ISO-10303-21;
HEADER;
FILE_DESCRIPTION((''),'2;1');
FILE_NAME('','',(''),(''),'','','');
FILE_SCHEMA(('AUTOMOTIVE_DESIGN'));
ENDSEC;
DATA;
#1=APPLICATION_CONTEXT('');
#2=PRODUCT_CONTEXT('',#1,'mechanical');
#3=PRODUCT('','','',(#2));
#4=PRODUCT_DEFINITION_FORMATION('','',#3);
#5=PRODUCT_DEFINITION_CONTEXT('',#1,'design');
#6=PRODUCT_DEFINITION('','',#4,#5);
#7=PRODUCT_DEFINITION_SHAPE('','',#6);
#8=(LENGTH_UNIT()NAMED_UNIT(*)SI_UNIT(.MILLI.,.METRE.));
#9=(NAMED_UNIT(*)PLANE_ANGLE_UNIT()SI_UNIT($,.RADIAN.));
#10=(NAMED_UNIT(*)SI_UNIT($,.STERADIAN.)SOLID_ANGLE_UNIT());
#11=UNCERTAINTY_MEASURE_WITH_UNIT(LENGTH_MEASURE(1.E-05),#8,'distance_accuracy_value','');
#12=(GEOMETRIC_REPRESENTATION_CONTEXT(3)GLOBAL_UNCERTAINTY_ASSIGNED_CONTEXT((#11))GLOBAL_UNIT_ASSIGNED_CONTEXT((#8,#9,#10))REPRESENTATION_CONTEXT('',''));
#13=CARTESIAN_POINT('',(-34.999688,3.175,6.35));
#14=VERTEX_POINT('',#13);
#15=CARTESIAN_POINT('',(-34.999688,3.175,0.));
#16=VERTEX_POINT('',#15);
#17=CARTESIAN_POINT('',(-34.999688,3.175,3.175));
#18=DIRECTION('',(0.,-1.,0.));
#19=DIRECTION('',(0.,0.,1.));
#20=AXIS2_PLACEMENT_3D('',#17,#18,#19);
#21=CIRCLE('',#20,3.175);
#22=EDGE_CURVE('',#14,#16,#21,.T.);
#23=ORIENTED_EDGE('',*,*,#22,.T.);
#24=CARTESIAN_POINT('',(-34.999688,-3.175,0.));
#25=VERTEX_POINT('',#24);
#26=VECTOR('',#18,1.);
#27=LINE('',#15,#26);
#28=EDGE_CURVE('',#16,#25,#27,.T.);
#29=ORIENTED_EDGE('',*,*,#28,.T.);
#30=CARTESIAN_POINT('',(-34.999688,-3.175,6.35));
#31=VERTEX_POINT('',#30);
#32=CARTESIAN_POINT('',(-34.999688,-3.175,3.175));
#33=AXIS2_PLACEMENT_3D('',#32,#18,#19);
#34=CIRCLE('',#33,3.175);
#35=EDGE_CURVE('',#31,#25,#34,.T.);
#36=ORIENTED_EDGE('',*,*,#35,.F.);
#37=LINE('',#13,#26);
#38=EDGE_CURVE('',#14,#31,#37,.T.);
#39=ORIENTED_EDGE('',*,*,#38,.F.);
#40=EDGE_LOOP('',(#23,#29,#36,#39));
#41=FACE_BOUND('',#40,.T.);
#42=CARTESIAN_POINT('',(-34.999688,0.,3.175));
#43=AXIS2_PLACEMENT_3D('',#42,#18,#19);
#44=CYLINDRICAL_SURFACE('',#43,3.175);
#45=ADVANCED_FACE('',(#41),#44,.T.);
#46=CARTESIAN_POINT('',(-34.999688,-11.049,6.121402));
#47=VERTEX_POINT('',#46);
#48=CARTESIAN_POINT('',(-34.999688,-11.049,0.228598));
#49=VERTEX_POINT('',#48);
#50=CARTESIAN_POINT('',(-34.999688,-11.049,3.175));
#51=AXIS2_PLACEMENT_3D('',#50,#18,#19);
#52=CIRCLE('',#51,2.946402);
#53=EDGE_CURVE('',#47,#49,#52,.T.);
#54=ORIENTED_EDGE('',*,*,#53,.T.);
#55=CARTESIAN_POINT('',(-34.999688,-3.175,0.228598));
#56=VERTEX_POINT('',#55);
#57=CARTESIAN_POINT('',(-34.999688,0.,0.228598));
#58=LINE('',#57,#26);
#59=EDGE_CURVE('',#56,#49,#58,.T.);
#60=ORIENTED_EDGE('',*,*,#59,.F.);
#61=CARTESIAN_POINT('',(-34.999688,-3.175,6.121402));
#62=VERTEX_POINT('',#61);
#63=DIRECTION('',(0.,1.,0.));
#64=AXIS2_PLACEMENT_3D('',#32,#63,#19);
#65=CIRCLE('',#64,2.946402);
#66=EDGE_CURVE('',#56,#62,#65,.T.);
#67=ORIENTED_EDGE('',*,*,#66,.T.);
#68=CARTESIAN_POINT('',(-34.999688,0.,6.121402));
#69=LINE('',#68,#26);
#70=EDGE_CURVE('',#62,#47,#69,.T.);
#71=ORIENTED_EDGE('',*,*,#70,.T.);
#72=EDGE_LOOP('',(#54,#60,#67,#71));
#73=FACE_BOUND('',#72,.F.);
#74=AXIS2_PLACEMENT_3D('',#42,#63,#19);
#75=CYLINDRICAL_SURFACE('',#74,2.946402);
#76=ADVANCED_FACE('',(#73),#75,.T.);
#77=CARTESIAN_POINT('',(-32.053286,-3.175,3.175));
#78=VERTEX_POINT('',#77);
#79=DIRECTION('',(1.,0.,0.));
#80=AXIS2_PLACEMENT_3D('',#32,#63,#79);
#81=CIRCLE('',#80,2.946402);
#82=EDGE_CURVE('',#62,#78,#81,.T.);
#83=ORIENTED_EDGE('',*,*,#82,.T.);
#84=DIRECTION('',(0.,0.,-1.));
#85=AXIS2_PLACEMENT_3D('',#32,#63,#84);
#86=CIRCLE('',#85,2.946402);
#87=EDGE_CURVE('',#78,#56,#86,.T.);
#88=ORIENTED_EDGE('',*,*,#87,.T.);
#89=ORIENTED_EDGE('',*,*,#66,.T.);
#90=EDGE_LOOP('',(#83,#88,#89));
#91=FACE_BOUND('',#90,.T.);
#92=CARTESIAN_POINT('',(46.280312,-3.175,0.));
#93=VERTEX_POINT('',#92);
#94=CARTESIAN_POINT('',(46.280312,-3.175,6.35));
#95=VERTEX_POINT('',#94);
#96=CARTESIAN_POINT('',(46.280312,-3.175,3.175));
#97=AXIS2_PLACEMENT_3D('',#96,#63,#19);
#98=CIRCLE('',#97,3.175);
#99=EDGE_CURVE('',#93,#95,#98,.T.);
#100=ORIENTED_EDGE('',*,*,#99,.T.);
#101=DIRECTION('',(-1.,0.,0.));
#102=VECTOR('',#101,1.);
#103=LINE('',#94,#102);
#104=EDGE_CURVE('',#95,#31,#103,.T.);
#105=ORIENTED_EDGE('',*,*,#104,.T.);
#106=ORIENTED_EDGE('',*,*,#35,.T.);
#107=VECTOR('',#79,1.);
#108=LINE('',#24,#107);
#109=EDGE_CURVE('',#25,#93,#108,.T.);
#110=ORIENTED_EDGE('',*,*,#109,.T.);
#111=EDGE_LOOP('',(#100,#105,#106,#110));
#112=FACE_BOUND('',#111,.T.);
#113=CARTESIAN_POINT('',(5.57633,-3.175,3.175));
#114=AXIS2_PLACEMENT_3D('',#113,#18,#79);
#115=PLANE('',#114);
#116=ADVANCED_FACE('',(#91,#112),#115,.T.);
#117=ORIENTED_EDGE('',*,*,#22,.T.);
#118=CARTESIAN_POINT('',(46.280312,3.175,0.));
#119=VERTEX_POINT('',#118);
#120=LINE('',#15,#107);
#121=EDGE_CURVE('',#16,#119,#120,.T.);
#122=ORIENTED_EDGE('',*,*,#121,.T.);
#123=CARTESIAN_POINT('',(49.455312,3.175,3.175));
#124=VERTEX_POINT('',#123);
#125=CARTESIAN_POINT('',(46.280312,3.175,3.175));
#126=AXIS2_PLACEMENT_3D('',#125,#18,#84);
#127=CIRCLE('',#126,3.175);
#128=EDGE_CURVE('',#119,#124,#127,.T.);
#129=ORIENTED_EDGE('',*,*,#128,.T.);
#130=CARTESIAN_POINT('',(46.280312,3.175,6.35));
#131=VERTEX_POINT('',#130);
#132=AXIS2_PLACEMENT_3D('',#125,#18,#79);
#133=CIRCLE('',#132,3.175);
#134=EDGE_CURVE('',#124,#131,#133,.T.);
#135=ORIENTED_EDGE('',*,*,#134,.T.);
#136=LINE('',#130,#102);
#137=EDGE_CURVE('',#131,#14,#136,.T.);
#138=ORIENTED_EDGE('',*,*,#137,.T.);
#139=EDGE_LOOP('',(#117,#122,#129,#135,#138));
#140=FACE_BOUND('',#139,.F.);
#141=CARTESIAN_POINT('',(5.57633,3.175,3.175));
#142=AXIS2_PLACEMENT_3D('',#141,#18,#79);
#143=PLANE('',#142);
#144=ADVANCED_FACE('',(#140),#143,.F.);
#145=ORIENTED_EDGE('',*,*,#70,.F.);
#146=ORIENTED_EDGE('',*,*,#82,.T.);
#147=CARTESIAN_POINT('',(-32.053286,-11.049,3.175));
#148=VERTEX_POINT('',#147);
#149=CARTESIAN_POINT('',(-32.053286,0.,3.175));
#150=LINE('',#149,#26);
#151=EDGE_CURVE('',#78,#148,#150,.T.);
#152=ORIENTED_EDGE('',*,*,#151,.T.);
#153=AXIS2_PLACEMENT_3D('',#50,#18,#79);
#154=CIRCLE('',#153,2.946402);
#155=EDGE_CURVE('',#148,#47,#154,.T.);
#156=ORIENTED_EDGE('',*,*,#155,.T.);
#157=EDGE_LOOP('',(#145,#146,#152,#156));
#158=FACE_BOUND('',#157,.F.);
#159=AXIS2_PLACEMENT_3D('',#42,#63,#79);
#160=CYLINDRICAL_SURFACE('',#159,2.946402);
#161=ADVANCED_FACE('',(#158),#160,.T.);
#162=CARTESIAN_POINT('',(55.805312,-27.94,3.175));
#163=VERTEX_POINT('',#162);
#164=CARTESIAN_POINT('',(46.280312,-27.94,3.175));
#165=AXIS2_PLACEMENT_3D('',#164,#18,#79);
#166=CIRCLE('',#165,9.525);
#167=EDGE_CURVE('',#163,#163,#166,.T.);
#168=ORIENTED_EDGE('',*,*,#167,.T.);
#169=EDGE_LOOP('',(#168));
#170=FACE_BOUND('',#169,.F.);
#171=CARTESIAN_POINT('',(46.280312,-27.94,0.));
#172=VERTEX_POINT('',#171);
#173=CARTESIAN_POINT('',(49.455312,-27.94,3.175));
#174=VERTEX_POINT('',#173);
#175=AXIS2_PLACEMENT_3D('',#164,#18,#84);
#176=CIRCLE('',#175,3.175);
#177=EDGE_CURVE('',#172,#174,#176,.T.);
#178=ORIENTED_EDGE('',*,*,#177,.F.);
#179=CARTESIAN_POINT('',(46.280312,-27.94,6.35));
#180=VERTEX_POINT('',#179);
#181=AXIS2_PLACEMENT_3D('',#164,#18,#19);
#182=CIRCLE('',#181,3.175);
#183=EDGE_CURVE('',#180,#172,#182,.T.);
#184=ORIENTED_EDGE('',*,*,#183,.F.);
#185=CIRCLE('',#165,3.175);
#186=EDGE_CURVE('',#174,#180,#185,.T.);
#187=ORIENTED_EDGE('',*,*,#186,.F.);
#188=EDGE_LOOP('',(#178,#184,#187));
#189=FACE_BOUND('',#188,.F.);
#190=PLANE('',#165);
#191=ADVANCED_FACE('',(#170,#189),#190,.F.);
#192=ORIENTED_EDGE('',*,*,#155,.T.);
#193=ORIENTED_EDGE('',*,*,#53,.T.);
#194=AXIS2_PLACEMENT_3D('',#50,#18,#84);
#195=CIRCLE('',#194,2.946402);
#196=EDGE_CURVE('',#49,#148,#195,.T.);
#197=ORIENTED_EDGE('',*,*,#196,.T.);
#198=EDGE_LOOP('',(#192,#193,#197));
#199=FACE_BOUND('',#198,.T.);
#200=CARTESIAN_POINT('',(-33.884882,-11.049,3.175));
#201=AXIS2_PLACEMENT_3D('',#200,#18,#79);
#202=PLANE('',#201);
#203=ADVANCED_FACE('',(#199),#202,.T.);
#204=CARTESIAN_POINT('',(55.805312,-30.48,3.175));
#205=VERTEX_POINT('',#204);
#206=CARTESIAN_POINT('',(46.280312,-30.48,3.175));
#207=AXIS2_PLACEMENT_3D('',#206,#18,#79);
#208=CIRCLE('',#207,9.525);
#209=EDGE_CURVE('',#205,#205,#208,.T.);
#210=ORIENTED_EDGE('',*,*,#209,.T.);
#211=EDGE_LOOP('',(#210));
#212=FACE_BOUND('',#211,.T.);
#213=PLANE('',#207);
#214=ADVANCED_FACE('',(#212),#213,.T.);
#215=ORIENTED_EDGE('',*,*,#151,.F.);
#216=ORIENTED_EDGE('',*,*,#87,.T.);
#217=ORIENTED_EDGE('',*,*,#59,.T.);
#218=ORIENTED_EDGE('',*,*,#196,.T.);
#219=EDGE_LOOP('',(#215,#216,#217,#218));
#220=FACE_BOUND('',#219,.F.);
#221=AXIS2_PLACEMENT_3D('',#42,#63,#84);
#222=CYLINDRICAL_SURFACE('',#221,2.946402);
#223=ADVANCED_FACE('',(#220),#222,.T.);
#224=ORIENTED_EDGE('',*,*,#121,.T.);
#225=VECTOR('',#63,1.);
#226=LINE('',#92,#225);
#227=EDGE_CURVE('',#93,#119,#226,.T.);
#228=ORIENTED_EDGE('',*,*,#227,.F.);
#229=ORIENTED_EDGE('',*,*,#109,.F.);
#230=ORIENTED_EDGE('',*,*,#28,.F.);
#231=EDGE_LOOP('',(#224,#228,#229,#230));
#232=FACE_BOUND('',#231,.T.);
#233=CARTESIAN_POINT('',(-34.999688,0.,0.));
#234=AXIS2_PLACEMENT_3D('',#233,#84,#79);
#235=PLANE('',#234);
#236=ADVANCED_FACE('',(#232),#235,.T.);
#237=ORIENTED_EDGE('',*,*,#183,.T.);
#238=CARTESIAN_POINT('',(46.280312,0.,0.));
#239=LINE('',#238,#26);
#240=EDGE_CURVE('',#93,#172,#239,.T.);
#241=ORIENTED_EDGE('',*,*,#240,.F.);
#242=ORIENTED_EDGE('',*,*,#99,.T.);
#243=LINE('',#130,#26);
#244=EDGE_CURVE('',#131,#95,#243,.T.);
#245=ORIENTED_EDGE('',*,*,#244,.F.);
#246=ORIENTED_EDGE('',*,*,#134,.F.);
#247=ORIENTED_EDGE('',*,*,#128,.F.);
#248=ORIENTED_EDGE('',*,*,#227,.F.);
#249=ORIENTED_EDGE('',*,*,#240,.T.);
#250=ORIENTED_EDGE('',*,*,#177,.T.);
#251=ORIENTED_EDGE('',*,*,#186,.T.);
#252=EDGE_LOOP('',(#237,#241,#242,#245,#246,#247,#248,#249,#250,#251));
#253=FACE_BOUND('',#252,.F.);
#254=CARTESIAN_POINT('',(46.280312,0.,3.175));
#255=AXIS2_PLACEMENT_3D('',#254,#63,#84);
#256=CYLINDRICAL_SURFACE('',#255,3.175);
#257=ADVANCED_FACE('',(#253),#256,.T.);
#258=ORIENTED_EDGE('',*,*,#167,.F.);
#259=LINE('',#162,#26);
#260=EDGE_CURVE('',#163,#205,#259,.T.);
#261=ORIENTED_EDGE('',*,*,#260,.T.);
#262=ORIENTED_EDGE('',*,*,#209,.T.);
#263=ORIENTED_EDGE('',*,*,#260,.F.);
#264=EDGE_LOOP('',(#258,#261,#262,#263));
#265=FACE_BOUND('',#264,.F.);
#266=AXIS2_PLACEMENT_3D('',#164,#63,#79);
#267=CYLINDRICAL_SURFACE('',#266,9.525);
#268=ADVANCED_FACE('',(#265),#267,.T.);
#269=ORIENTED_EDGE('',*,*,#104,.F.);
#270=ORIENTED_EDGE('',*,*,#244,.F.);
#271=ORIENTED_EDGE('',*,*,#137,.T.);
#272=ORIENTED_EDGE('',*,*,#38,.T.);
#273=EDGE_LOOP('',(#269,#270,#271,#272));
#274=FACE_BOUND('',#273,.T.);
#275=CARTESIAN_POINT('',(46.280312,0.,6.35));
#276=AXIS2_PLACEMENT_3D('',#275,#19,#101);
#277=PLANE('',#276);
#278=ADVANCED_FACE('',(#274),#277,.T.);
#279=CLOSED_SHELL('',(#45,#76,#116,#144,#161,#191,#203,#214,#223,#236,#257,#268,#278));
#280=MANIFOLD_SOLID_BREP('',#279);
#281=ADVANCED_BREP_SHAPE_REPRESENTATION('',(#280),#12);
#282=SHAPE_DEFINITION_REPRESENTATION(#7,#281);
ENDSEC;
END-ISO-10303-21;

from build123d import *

# Parameters (mm, degrees)
F1_DEPTH = 11.049
F2_DEPTH = 27.94
F3_DEPTH = 3.175
F4_R     = 9.525
F5_DEPTH = 2.54


with BuildPart() as f1:
    # F0 (on Front) → F1 (new body)
    with BuildSketch(Plane.XZ):
        with BuildLine():
            ThreePointArc((-32.0532864205, 3.175), (-32.9162675396, 5.2584207218), (-34.9996882613, 6.1214018409))
            Line((-34.9996882613, 6.1214018409), (-34.9996882613, 0.2285981591))
            ThreePointArc((-34.9996882613, 0.2285981591), (-32.9162675396, 1.0915792782), (-32.0532864205, 3.175))
        make_face()
        with BuildLine():
            Line((-34.9996882613, 0.2285981591), (-34.9996882613, 6.1214018409))
            ThreePointArc((-34.9996882613, 6.1214018409), (-37.9460901022, 3.175), (-34.9996882613, 0.2285981591))
        make_face()
    extrude(amount=F1_DEPTH)



with BuildPart() as f2:
    # F0 (on Front) → F2 (new body)
    with BuildSketch(Plane.XZ):
        with BuildLine():
            Line((46.2803117387, 0), (46.2803117387, 6.35))
            ThreePointArc((46.2803117387, 6.35), (43.1053117387, 3.175), (46.2803117387, 0))
        make_face()
        with BuildLine():
            ThreePointArc((49.4553117387, 3.175), (48.5253757689, 5.4200640303), (46.2803117387, 6.35))
            Line((46.2803117387, 6.35), (46.2803117387, 0))
            ThreePointArc((46.2803117387, 0), (48.5253757689, 0.9299359697), (49.4553117387, 3.175))
        make_face()
    extrude(amount=F2_DEPTH)


with BuildPart() as f1_1:
    add(f1.part)

    add(f2.part)  # F3 merges F2
    # F0 (on Front) → F3 (join, symmetric)
    with BuildSketch(Plane.XZ):
        with BuildLine():
            Line((46.2803117387, 6.35), (-34.9996882613, 6.35))
            ThreePointArc((-34.9996882613, 6.35), (-32.7546242311, 5.4200640303), (-31.8246882613, 3.175))
            ThreePointArc((-31.8246882613, 3.175), (-32.7546242311, 0.9299359697), (-34.9996882613, 0))
            Line((-34.9996882613, 0), (46.2803117387, 0))
            ThreePointArc((46.2803117387, 0), (43.1053117387, 3.175), (46.2803117387, 6.35))
        make_face()
        with BuildLine():
            Line((-34.9996882613, 6.1214018409), (-34.9996882613, 6.35))
            ThreePointArc((-34.9996882613, 6.35), (-38.1746882613, 3.175), (-34.9996882613, 0))
            Line((-34.9996882613, 0), (-34.9996882613, 0.2285981591))
            ThreePointArc((-34.9996882613, 0.2285981591), (-37.9460901022, 3.175), (-34.9996882613, 6.1214018409))
        make_face()
        with BuildLine():
            ThreePointArc((-31.8246882613, 3.175), (-32.7546242311, 5.4200640303), (-34.9996882613, 6.35))
            Line((-34.9996882613, 6.35), (-34.9996882613, 6.1214018409))
            ThreePointArc((-34.9996882613, 6.1214018409), (-32.9162675396, 5.2584207218), (-32.0532864205, 3.175))
            ThreePointArc((-32.0532864205, 3.175), (-32.9162675396, 1.0915792782), (-34.9996882613, 0.2285981591))
            Line((-34.9996882613, 0.2285981591), (-34.9996882613, 0))
            ThreePointArc((-34.9996882613, 0), (-32.7546242311, 0.9299359697), (-31.8246882613, 3.175))
        make_face()
        with BuildLine():
            ThreePointArc((49.4553117387, 3.175), (48.5253757689, 5.4200640303), (46.2803117387, 6.35))
            Line((46.2803117387, 6.35), (46.2803117387, 0))
            ThreePointArc((46.2803117387, 0), (48.5253757689, 0.9299359697), (49.4553117387, 3.175))
        make_face()
        with BuildLine():
            Line((46.2803117387, 0), (46.2803117387, 6.35))
            ThreePointArc((46.2803117387, 6.35), (43.1053117387, 3.175), (46.2803117387, 0))
        make_face()
        with BuildLine():
            Line((-34.9996882613, 0.2285981591), (-34.9996882613, 6.1214018409))
            ThreePointArc((-34.9996882613, 6.1214018409), (-37.9460901022, 3.175), (-34.9996882613, 0.2285981591))
        make_face()
        with BuildLine():
            ThreePointArc((-32.0532864205, 3.175), (-32.9162675396, 5.2584207218), (-34.9996882613, 6.1214018409))
            Line((-34.9996882613, 6.1214018409), (-34.9996882613, 0.2285981591))
            ThreePointArc((-34.9996882613, 0.2285981591), (-32.9162675396, 1.0915792782), (-32.0532864205, 3.175))
        make_face()
    extrude(amount=F3_DEPTH, both=True)

    # F4 (on face) → F5 (join)
    with BuildSketch(Plane.XZ.offset(27.94)):
        with Locations((46.2803117387, 3.175)):
            Circle(F4_R)
        with BuildLine():
            ThreePointArc((46.2803117387, 6.35), (48.5253757689, 5.4200640303), (49.4553117387, 3.175))
            ThreePointArc((49.4553117387, 3.175), (44.0352477084, 0.9299359697), (46.2803117387, 6.35))
        make_face(mode=Mode.SUBTRACT)
        with BuildLine():
            ThreePointArc((46.2803117387, 6.35), (44.0352477084, 0.9299359697), (49.4553117387, 3.175))
            ThreePointArc((49.4553117387, 3.175), (48.5253757689, 5.4200640303), (46.2803117387, 6.35))
        make_face()
    extrude(amount=F5_DEPTH)


solid = f1_1.part
